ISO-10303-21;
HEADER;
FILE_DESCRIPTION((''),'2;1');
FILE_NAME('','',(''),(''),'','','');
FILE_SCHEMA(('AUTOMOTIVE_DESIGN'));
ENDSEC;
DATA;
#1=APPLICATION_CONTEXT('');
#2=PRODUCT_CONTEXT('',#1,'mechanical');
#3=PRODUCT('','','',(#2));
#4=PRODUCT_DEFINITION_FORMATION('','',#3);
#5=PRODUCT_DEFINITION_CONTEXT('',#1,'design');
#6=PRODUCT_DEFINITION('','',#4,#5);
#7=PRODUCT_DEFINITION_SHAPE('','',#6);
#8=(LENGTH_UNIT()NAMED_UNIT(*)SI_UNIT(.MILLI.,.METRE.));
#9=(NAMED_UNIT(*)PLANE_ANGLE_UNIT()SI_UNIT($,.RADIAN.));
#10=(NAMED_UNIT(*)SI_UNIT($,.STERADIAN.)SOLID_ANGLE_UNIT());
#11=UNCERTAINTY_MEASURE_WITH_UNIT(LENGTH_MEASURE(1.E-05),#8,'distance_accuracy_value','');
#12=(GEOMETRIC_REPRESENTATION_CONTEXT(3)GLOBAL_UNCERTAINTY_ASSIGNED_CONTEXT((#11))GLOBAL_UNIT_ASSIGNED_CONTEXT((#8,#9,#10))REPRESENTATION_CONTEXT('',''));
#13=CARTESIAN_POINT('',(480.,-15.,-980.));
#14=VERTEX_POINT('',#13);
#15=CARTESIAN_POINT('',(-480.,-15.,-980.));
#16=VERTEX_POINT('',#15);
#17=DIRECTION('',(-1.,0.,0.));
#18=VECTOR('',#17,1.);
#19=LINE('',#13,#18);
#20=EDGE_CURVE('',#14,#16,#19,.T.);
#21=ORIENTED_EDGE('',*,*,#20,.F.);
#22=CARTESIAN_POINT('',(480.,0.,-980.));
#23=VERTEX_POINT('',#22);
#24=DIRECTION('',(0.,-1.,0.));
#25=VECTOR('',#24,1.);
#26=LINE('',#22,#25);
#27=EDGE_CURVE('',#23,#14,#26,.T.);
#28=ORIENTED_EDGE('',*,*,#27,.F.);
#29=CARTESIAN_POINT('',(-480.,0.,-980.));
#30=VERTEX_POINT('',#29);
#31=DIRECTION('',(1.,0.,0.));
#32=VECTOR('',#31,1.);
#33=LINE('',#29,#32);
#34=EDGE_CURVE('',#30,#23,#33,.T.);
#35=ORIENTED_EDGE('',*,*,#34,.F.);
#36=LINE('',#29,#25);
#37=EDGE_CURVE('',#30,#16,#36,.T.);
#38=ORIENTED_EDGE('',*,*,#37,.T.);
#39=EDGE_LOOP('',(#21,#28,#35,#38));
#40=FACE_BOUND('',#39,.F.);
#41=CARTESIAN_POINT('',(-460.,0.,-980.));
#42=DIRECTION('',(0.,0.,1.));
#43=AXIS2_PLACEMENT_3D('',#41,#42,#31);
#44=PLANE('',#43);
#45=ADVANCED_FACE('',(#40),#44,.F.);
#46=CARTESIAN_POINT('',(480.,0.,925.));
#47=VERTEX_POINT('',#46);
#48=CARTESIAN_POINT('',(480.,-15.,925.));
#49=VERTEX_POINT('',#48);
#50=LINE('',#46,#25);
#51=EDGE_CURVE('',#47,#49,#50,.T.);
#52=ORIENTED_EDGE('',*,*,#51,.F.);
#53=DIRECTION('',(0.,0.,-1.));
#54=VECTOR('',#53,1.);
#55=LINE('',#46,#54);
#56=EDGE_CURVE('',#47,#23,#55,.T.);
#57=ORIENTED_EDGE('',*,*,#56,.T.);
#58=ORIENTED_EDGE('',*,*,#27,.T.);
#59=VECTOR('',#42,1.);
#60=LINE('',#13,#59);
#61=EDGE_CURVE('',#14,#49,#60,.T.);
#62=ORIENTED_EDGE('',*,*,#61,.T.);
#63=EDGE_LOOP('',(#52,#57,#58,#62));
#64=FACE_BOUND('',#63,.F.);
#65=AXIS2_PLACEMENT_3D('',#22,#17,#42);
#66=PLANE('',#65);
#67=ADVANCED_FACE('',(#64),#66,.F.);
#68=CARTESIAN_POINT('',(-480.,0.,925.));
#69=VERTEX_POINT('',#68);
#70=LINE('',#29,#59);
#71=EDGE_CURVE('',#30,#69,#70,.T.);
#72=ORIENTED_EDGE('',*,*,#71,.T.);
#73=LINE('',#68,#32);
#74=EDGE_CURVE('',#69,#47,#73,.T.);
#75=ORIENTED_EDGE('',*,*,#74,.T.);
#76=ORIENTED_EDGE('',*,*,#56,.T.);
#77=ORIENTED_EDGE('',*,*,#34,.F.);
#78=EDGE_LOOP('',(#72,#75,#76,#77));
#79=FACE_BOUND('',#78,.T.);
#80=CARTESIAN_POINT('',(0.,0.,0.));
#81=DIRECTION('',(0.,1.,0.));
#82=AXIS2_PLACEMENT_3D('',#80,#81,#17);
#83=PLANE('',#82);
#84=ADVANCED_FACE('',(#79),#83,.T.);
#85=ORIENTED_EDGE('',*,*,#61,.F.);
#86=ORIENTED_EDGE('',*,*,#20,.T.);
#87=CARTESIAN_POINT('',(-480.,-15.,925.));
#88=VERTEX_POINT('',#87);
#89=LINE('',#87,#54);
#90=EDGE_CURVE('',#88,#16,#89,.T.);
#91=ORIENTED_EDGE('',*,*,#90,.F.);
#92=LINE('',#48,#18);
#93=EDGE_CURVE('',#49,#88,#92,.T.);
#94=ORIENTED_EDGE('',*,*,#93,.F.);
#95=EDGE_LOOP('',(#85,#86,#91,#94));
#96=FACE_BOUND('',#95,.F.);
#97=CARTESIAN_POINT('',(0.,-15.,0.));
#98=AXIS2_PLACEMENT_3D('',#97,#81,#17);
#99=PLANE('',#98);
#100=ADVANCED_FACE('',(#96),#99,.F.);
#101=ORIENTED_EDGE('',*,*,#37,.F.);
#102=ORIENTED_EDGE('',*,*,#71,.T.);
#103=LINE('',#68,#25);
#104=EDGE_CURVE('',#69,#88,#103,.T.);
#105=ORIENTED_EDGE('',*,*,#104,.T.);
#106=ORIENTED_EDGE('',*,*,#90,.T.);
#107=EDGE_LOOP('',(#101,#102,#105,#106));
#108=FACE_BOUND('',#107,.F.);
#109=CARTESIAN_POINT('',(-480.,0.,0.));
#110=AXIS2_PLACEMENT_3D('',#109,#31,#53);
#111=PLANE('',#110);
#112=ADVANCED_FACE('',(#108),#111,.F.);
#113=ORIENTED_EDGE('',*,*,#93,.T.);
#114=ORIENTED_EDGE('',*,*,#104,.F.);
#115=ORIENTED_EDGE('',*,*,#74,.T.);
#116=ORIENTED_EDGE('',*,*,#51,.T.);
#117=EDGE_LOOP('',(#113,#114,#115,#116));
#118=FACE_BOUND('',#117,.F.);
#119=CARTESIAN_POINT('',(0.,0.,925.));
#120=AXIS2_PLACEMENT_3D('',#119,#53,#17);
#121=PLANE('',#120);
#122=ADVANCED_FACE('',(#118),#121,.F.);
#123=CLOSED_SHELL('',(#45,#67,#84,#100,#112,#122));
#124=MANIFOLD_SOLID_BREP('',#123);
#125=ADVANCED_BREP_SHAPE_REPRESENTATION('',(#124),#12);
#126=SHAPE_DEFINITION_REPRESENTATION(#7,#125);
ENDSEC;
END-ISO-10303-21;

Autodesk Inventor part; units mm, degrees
ref_plane "YZ Plane" through (0, 0, 0) normal (1, 0, 0) x (0, 1, 0)
ref_plane "XZ Plane" through (0, 0, 0) normal (0, 1, 0) x (-1, 0, 0)
ref_plane "XY Plane" through (0, 0, 0) normal (0, 0, 1) x (1, 0, 0)
sketch "Skizze1" plane through (0, 0, 0) normal (0, 1, 0) x (-1, 0, 0)
  line L0 (460, -980) -> (460, 905) projected
  line L1 (460, 905) -> (-460, 905) projected
  line L2 (-460, 905) -> (-460, -980) projected
  line L3 (480, -980) -> (-480, -980)
  line L4 (-480, -980) -> (-480, 925)
  line L5 (-480, 925) -> (480, 925)
  line L6 (480, 925) -> (480, -980)
  line L7 (0, -1361) -> (0, 1306) projected
  line L8 (672, 0) -> (-672, 0) projected
  dimension "d0" = 20
  dimension "d1" = 20
  dimension "d2" = 20
extrude "Extrusion1" add sketch "Skizze1" against normal blind 15
equation "\"d2\" = d0"
properties part number "Türblatt" material "Holz (Kirsche)"
